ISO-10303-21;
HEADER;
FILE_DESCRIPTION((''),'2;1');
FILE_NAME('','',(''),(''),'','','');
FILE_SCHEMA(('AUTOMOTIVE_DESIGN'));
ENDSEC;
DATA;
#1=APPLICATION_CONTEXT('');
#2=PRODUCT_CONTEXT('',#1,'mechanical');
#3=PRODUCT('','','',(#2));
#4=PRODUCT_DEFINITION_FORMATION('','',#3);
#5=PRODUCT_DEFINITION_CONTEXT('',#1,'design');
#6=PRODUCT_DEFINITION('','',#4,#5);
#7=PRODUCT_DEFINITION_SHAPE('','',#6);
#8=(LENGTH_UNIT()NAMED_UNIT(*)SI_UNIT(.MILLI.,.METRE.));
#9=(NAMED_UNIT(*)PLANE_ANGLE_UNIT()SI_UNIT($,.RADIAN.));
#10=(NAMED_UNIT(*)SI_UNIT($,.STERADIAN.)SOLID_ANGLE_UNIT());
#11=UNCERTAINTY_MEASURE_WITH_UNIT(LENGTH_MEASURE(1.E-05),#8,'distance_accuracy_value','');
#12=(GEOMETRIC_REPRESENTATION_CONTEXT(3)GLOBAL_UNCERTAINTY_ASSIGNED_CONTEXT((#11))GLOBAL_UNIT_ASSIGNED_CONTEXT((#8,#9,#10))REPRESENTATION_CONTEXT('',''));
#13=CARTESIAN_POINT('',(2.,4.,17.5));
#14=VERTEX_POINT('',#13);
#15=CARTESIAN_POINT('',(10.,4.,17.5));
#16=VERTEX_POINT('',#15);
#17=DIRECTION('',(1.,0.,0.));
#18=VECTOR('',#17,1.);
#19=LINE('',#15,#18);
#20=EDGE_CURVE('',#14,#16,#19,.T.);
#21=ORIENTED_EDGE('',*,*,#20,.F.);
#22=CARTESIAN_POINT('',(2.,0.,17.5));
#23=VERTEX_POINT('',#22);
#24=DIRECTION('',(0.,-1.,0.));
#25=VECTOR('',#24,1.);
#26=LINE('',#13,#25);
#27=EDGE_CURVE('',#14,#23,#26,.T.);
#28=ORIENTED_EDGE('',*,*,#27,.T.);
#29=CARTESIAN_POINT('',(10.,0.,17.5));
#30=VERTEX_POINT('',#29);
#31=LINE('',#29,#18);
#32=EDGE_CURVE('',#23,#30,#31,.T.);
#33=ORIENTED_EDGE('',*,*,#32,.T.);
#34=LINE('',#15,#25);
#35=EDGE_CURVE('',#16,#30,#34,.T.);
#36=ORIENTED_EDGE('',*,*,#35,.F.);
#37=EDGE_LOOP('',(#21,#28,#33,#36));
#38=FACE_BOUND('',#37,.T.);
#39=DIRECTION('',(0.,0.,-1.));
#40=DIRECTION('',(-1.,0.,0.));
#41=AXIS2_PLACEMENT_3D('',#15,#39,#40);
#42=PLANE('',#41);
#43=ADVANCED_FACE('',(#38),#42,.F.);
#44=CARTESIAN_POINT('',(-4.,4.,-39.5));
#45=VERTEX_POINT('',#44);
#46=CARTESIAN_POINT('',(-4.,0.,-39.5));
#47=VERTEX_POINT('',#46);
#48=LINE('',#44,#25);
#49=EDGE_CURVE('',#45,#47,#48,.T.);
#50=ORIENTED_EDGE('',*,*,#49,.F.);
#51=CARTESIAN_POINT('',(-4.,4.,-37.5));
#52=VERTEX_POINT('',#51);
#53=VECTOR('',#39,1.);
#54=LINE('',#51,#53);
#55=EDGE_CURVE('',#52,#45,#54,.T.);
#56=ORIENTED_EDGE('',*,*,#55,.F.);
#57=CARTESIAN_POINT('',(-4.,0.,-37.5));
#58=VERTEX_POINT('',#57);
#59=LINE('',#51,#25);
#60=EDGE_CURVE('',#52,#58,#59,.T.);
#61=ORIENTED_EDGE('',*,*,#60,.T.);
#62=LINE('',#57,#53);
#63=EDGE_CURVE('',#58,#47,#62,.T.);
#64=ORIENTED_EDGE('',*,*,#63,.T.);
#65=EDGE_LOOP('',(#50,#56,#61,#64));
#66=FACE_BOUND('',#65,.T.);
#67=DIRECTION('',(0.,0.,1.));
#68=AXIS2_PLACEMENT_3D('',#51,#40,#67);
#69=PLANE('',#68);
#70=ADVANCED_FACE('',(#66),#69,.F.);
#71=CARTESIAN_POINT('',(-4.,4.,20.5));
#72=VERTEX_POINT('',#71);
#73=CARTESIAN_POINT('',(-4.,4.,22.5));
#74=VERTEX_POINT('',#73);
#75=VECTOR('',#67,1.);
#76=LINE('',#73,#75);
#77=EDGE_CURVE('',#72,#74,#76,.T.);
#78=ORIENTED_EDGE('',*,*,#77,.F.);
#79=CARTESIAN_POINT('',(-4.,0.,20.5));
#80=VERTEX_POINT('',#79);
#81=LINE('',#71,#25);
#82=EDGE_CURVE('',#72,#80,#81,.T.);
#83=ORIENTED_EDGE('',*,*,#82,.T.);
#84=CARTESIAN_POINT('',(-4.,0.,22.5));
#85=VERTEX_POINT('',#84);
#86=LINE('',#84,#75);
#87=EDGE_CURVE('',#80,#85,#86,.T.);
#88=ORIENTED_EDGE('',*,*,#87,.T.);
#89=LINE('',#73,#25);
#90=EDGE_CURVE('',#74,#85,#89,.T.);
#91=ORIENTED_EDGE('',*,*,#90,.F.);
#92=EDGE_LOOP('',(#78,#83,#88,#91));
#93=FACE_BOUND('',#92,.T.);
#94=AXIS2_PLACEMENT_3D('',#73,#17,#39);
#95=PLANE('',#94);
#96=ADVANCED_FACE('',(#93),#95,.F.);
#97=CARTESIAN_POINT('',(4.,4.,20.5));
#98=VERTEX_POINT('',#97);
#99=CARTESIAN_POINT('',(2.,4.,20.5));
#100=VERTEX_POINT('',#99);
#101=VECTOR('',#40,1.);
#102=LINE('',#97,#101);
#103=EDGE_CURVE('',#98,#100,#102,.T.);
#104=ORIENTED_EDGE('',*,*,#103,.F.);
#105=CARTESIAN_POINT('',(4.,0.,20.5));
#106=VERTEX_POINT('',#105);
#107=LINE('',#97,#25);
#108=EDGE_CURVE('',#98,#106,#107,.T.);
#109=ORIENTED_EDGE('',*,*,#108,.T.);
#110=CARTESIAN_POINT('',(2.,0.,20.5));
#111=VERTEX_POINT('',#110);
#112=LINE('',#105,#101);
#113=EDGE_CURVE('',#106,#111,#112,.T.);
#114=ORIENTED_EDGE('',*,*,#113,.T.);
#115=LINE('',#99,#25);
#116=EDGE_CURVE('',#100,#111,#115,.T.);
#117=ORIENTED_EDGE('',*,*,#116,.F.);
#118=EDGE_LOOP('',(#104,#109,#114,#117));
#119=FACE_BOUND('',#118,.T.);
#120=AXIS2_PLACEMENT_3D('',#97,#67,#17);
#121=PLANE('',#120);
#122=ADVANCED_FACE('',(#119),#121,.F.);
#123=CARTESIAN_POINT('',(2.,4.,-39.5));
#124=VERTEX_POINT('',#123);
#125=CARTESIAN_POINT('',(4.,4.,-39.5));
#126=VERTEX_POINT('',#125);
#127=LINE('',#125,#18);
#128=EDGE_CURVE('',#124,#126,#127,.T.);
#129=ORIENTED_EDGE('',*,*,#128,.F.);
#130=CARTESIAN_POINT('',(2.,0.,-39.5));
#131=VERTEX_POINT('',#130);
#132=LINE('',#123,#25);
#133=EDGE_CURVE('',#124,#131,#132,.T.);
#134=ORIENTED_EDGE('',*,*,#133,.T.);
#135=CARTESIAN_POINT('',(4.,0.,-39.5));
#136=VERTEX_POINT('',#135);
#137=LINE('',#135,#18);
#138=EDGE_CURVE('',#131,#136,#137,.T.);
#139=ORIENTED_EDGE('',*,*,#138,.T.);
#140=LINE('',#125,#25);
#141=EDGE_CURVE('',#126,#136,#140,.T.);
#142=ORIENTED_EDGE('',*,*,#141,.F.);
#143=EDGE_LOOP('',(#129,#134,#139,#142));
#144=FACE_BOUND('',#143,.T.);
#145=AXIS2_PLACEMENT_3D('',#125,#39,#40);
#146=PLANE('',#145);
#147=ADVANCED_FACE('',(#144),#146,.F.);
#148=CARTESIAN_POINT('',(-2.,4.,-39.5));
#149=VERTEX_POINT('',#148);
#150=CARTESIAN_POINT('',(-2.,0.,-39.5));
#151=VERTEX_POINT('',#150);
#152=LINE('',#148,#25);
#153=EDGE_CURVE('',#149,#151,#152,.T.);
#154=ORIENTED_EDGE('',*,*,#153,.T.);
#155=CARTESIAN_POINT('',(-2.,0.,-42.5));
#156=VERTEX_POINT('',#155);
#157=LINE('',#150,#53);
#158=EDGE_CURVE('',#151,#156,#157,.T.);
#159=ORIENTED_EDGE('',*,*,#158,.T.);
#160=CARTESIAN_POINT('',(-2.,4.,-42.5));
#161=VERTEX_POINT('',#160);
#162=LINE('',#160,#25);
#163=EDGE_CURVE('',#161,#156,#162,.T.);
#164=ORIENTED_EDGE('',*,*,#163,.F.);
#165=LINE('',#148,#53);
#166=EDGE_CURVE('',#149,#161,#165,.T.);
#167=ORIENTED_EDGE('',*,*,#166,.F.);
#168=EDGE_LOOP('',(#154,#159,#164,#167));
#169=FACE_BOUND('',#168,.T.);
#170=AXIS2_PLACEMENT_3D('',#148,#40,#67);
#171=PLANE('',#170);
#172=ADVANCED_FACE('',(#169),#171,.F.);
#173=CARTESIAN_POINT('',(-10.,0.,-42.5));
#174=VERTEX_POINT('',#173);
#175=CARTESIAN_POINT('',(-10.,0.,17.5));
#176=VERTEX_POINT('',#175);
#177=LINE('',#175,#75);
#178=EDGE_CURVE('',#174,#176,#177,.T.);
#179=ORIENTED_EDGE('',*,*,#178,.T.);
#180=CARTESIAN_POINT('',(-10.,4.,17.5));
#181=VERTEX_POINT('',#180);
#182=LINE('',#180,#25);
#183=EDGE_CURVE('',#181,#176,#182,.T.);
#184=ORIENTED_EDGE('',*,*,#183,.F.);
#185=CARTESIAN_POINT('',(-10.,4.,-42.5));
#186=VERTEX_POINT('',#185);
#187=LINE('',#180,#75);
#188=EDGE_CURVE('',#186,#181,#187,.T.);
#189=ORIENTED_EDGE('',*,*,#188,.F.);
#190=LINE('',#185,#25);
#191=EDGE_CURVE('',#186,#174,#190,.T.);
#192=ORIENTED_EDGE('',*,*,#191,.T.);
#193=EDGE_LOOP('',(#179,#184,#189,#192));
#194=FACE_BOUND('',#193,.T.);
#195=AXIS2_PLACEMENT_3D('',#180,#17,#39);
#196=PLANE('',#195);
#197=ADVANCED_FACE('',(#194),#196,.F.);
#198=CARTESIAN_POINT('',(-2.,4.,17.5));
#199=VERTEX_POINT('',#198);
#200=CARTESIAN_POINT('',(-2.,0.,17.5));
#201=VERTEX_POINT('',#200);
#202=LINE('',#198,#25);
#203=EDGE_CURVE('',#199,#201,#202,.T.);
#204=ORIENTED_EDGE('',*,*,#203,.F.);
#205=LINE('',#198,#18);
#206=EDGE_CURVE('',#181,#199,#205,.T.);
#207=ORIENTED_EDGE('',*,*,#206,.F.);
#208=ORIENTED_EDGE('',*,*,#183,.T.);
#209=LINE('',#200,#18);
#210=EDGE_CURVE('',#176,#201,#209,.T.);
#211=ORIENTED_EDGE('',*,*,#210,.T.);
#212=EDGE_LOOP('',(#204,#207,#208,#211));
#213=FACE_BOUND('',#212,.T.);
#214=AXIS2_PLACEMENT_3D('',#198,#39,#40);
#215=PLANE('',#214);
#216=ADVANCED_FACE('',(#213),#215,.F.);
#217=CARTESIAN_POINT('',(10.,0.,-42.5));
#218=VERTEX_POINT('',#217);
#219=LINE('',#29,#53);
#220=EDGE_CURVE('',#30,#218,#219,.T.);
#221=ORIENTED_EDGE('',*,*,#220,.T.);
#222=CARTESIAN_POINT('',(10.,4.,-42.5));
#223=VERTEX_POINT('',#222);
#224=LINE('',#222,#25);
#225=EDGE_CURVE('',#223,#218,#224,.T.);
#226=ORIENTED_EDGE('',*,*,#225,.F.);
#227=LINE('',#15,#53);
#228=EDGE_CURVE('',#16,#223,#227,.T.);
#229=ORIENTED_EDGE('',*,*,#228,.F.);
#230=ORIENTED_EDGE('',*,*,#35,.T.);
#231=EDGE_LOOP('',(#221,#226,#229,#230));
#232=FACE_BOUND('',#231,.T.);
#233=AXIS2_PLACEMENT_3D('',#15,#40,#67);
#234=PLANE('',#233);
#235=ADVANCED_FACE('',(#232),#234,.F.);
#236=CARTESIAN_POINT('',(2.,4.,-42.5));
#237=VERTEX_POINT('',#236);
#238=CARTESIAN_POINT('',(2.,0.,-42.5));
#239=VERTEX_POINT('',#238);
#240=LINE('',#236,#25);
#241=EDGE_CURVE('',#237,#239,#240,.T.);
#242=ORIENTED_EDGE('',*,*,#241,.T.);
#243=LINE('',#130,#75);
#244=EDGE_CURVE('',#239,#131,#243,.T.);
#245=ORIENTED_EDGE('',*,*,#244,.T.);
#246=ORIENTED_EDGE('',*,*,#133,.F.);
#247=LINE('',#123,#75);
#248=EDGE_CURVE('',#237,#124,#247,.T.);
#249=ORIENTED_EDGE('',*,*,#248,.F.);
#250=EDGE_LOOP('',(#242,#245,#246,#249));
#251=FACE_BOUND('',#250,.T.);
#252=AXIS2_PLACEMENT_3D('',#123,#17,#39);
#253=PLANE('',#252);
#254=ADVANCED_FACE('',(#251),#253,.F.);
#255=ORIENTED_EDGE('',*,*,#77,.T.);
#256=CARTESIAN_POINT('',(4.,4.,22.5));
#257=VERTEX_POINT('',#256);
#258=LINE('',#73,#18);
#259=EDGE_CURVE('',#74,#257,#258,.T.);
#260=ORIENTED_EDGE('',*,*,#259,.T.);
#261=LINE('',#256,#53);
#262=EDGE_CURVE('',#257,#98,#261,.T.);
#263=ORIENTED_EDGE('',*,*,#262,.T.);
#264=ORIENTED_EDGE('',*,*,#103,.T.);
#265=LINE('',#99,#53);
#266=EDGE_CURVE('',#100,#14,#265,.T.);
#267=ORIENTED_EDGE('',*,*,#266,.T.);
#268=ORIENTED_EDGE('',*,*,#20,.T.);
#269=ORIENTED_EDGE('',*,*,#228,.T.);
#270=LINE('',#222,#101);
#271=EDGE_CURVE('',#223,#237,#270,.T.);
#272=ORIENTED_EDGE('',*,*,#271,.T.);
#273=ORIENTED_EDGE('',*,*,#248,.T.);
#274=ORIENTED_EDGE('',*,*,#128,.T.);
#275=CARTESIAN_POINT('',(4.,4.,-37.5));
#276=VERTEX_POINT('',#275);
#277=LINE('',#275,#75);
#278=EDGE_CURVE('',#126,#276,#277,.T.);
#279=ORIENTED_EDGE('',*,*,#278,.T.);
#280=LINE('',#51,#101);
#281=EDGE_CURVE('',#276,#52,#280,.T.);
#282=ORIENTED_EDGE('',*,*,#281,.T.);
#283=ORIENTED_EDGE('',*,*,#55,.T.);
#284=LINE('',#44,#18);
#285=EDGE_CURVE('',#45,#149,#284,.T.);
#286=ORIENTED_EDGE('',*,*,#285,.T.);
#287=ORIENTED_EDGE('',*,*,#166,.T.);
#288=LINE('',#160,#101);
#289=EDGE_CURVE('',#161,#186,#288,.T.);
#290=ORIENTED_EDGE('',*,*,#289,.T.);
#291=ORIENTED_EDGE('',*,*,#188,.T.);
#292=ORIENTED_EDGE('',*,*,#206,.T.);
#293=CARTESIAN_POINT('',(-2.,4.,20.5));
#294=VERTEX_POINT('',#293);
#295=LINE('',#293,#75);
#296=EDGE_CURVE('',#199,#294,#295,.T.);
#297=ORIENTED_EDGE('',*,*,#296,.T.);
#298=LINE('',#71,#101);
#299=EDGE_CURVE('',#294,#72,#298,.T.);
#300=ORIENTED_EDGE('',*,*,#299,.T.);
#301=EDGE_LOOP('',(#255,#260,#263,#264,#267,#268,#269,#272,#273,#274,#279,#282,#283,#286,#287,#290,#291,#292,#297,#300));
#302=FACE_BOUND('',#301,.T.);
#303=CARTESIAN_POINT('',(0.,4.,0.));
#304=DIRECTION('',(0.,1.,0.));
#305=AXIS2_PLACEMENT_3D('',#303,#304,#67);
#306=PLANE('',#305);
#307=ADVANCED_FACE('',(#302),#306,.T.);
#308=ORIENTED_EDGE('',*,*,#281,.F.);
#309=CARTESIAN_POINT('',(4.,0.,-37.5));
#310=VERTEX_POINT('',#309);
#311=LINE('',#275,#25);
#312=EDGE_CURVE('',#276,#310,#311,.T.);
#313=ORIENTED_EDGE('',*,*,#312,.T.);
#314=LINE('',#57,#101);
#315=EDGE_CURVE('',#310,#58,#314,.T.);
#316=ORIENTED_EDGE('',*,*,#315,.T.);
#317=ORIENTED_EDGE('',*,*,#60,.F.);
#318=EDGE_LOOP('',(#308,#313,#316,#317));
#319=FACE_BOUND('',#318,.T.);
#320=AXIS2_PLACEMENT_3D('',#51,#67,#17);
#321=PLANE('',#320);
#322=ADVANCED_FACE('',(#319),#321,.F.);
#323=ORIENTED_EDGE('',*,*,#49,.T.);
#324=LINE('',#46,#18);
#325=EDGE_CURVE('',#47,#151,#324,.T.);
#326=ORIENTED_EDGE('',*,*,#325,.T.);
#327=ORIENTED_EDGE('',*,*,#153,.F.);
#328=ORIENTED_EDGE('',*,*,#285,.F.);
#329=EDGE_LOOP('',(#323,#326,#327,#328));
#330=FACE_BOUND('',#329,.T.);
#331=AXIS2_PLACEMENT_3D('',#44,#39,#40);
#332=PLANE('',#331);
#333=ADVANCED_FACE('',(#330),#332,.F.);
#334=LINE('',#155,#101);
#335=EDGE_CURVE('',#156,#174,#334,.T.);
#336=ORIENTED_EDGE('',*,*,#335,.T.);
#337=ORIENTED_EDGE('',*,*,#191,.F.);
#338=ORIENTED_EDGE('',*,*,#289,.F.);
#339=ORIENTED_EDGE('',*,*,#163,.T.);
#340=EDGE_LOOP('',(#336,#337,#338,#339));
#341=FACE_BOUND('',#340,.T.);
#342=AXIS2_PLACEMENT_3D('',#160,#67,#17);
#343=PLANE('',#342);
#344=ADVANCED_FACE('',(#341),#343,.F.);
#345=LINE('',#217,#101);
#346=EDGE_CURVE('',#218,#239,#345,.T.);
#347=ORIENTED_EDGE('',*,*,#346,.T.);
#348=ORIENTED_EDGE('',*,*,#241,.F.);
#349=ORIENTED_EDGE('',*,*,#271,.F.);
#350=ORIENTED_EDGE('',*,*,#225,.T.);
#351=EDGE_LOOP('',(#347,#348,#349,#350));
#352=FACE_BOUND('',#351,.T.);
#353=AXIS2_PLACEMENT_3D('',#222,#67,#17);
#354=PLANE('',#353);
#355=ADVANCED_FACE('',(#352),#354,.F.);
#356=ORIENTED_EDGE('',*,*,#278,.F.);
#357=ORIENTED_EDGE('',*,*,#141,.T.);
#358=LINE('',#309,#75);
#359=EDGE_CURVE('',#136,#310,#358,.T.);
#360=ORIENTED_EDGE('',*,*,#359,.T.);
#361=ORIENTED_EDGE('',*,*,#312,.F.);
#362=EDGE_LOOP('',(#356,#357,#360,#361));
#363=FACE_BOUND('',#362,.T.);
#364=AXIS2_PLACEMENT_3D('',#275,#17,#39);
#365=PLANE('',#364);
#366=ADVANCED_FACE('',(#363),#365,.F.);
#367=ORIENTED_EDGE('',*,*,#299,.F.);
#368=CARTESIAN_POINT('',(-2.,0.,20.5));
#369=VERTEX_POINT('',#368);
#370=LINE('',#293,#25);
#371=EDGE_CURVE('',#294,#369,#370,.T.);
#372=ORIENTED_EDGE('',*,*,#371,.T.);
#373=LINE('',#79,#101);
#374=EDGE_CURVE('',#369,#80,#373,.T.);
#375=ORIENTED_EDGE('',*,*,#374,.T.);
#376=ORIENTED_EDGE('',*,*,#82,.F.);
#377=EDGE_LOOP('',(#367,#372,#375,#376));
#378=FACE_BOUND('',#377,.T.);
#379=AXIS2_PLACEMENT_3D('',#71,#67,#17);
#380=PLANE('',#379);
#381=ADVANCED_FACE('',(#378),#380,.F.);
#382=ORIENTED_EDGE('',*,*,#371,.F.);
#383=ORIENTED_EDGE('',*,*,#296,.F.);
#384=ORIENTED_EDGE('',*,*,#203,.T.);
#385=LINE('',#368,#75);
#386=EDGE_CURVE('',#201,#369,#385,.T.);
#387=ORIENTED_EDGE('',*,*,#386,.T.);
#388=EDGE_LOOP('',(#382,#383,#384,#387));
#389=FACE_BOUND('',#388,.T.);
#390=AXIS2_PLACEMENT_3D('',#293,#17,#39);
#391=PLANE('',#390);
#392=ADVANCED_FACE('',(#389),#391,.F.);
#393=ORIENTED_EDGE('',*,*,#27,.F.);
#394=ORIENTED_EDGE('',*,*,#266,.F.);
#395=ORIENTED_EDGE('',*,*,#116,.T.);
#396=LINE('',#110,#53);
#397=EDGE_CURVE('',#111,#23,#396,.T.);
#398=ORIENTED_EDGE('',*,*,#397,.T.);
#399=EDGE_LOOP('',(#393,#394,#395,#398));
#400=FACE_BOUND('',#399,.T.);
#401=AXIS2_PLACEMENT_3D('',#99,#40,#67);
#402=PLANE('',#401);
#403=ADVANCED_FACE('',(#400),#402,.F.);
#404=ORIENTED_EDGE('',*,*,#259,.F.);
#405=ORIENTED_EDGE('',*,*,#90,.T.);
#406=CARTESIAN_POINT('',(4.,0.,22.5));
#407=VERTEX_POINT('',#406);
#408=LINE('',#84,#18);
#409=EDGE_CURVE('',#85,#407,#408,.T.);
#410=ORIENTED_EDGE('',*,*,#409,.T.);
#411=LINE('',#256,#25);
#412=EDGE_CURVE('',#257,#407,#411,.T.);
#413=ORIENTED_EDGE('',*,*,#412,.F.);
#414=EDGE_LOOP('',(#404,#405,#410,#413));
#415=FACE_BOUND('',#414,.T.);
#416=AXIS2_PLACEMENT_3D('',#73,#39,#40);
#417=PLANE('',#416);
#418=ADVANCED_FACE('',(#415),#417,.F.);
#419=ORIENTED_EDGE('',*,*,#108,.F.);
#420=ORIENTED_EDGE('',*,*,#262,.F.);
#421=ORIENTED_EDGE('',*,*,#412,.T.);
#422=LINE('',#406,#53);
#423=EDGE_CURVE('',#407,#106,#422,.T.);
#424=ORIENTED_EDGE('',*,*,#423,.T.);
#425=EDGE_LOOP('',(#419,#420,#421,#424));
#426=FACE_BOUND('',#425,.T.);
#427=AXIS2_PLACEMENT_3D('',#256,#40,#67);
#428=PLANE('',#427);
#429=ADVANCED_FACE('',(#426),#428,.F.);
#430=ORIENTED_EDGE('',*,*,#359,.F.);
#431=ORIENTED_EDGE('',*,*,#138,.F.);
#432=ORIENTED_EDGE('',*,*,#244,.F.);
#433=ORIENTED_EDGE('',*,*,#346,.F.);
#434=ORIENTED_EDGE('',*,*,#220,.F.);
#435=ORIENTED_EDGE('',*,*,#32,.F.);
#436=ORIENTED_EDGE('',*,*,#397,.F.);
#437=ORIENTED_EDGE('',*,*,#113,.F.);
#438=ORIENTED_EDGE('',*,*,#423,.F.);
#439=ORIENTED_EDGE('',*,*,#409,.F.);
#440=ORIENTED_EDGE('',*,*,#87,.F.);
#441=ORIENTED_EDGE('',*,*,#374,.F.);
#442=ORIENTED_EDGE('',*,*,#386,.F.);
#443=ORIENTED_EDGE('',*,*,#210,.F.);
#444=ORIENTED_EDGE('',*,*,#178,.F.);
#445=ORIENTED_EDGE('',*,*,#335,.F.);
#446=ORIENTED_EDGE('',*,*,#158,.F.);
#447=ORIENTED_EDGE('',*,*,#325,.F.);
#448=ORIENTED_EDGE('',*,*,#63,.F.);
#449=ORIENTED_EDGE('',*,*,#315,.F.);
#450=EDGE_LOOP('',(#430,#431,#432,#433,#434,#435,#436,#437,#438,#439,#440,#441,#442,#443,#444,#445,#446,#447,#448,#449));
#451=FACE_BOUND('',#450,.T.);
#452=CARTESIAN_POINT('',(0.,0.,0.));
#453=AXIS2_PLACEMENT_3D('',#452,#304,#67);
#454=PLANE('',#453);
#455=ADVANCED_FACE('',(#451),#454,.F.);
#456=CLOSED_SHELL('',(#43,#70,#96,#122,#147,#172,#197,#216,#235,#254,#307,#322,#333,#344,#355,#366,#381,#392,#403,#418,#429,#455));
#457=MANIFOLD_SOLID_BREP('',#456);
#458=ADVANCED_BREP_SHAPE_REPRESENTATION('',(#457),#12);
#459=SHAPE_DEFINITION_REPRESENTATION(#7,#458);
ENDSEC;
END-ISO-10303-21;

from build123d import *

# Parameters (mm, degrees)
EXTRUDE_1_DEPTH = 4


with BuildPart() as part:
    # Эскиз1 → Бобышка-Вытянуть1 (new body)
    with BuildSketch(Plane(origin=(0, 0, 0), x_dir=(1, 0, 0), z_dir=(0, 1, 0))):
        Polygon((10, -17.5), (2, -17.5), (2, -20.5), (4, -20.5), (4, -22.5), (-4, -22.5), (-4, -20.5), (-2, -20.5), (-2, -17.5), (-10, -17.5), (-10, 42.5), (-2, 42.5), (-2, 39.5), (-4, 39.5), (-4, 37.5), (4, 37.5), (4, 39.5), (2, 39.5), (2, 42.5), (10, 42.5), align=None)
    extrude(amount=EXTRUDE_1_DEPTH)


solid = part.part
